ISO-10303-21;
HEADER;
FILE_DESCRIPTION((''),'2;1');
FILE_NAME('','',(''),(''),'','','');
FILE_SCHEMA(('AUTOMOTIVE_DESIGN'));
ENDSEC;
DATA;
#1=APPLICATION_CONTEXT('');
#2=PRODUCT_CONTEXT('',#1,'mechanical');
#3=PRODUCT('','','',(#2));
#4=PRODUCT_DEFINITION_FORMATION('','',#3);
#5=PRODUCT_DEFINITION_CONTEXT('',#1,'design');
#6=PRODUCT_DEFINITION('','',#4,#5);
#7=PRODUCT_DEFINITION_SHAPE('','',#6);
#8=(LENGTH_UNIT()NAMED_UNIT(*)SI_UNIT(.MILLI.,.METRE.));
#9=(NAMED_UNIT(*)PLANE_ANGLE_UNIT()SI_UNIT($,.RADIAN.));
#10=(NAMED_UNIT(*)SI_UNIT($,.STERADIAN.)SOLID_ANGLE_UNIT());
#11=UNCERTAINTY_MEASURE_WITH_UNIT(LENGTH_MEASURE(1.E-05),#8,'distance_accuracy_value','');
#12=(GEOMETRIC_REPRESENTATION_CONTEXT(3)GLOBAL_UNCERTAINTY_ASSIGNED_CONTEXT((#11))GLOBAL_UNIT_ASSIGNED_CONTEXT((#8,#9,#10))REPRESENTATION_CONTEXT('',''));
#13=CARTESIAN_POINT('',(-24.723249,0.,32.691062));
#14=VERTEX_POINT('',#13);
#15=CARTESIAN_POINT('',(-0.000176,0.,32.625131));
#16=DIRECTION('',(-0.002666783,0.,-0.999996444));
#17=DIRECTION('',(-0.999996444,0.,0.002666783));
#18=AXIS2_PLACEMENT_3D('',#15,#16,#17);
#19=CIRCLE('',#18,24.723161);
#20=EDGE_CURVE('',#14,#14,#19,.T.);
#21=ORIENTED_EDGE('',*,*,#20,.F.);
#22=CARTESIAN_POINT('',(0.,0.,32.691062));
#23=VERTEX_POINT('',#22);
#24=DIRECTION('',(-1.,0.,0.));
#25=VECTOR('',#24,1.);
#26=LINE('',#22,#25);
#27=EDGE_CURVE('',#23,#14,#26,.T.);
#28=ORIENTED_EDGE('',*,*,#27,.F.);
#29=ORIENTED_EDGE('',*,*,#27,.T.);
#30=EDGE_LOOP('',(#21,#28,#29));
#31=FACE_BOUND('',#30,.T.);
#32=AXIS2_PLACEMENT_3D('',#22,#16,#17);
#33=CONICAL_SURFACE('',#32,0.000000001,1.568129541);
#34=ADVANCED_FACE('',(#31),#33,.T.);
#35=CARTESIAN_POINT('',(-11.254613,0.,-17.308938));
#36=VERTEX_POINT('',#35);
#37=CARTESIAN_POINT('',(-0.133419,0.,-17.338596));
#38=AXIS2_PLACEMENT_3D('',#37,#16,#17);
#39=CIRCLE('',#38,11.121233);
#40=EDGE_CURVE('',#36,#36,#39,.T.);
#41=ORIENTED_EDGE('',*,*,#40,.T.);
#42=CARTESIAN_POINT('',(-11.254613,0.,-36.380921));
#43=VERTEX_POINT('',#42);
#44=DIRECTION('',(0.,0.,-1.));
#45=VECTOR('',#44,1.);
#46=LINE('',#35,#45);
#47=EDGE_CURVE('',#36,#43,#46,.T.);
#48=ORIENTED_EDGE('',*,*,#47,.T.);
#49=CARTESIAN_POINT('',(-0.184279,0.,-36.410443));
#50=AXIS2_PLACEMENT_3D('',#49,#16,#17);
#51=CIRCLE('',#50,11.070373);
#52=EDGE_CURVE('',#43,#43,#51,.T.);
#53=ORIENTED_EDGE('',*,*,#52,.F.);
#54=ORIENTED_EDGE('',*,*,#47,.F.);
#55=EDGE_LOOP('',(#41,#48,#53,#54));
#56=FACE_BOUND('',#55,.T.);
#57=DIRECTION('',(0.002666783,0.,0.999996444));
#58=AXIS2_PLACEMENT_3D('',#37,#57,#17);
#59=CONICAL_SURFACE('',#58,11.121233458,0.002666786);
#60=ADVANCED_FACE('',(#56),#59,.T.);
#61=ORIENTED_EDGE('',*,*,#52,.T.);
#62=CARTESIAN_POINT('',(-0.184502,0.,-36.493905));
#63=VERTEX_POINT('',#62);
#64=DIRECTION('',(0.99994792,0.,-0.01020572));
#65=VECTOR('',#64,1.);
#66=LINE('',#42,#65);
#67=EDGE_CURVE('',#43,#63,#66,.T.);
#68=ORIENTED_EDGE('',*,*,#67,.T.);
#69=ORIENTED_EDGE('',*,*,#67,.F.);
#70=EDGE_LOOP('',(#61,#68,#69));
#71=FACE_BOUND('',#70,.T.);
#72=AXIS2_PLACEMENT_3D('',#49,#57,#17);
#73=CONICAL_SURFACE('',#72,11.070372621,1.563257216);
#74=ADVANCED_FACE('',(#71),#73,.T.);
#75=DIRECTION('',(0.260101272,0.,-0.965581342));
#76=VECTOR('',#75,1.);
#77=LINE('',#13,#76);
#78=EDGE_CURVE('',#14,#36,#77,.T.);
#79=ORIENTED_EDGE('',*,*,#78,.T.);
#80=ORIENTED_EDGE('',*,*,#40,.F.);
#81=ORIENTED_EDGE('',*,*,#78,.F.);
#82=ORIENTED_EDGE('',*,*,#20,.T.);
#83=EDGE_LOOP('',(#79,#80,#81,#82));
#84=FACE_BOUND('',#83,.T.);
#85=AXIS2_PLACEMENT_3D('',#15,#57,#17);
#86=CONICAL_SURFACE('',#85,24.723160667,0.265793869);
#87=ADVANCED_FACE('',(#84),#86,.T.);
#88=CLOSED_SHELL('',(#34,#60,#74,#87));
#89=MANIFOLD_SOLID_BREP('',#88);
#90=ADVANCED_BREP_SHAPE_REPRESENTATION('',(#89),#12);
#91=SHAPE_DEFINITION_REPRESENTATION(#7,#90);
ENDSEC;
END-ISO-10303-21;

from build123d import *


with BuildPart() as f1:
    # F0 (on Front) → F1 (revolve)
    with BuildSketch(Plane.XZ):
        Polygon((-24.7232485802, 32.6910620555), (-11.2546126235, -17.3089379445), (-0.1333396203, -17.3089379445), (0, 32.6910620555), align=None)
        Polygon((-0.1333396203, -17.3089379445), (-11.2546126235, -17.3089379445), (-11.2546126235, -36.3809205592), (-0.1845019444, -36.4939048886), align=None)
    revolve(axis=Axis((-0.0922509722, 0, -1.9014214166), (-0.0026667829, 0, -0.9999964441)))


solid = f1.part
